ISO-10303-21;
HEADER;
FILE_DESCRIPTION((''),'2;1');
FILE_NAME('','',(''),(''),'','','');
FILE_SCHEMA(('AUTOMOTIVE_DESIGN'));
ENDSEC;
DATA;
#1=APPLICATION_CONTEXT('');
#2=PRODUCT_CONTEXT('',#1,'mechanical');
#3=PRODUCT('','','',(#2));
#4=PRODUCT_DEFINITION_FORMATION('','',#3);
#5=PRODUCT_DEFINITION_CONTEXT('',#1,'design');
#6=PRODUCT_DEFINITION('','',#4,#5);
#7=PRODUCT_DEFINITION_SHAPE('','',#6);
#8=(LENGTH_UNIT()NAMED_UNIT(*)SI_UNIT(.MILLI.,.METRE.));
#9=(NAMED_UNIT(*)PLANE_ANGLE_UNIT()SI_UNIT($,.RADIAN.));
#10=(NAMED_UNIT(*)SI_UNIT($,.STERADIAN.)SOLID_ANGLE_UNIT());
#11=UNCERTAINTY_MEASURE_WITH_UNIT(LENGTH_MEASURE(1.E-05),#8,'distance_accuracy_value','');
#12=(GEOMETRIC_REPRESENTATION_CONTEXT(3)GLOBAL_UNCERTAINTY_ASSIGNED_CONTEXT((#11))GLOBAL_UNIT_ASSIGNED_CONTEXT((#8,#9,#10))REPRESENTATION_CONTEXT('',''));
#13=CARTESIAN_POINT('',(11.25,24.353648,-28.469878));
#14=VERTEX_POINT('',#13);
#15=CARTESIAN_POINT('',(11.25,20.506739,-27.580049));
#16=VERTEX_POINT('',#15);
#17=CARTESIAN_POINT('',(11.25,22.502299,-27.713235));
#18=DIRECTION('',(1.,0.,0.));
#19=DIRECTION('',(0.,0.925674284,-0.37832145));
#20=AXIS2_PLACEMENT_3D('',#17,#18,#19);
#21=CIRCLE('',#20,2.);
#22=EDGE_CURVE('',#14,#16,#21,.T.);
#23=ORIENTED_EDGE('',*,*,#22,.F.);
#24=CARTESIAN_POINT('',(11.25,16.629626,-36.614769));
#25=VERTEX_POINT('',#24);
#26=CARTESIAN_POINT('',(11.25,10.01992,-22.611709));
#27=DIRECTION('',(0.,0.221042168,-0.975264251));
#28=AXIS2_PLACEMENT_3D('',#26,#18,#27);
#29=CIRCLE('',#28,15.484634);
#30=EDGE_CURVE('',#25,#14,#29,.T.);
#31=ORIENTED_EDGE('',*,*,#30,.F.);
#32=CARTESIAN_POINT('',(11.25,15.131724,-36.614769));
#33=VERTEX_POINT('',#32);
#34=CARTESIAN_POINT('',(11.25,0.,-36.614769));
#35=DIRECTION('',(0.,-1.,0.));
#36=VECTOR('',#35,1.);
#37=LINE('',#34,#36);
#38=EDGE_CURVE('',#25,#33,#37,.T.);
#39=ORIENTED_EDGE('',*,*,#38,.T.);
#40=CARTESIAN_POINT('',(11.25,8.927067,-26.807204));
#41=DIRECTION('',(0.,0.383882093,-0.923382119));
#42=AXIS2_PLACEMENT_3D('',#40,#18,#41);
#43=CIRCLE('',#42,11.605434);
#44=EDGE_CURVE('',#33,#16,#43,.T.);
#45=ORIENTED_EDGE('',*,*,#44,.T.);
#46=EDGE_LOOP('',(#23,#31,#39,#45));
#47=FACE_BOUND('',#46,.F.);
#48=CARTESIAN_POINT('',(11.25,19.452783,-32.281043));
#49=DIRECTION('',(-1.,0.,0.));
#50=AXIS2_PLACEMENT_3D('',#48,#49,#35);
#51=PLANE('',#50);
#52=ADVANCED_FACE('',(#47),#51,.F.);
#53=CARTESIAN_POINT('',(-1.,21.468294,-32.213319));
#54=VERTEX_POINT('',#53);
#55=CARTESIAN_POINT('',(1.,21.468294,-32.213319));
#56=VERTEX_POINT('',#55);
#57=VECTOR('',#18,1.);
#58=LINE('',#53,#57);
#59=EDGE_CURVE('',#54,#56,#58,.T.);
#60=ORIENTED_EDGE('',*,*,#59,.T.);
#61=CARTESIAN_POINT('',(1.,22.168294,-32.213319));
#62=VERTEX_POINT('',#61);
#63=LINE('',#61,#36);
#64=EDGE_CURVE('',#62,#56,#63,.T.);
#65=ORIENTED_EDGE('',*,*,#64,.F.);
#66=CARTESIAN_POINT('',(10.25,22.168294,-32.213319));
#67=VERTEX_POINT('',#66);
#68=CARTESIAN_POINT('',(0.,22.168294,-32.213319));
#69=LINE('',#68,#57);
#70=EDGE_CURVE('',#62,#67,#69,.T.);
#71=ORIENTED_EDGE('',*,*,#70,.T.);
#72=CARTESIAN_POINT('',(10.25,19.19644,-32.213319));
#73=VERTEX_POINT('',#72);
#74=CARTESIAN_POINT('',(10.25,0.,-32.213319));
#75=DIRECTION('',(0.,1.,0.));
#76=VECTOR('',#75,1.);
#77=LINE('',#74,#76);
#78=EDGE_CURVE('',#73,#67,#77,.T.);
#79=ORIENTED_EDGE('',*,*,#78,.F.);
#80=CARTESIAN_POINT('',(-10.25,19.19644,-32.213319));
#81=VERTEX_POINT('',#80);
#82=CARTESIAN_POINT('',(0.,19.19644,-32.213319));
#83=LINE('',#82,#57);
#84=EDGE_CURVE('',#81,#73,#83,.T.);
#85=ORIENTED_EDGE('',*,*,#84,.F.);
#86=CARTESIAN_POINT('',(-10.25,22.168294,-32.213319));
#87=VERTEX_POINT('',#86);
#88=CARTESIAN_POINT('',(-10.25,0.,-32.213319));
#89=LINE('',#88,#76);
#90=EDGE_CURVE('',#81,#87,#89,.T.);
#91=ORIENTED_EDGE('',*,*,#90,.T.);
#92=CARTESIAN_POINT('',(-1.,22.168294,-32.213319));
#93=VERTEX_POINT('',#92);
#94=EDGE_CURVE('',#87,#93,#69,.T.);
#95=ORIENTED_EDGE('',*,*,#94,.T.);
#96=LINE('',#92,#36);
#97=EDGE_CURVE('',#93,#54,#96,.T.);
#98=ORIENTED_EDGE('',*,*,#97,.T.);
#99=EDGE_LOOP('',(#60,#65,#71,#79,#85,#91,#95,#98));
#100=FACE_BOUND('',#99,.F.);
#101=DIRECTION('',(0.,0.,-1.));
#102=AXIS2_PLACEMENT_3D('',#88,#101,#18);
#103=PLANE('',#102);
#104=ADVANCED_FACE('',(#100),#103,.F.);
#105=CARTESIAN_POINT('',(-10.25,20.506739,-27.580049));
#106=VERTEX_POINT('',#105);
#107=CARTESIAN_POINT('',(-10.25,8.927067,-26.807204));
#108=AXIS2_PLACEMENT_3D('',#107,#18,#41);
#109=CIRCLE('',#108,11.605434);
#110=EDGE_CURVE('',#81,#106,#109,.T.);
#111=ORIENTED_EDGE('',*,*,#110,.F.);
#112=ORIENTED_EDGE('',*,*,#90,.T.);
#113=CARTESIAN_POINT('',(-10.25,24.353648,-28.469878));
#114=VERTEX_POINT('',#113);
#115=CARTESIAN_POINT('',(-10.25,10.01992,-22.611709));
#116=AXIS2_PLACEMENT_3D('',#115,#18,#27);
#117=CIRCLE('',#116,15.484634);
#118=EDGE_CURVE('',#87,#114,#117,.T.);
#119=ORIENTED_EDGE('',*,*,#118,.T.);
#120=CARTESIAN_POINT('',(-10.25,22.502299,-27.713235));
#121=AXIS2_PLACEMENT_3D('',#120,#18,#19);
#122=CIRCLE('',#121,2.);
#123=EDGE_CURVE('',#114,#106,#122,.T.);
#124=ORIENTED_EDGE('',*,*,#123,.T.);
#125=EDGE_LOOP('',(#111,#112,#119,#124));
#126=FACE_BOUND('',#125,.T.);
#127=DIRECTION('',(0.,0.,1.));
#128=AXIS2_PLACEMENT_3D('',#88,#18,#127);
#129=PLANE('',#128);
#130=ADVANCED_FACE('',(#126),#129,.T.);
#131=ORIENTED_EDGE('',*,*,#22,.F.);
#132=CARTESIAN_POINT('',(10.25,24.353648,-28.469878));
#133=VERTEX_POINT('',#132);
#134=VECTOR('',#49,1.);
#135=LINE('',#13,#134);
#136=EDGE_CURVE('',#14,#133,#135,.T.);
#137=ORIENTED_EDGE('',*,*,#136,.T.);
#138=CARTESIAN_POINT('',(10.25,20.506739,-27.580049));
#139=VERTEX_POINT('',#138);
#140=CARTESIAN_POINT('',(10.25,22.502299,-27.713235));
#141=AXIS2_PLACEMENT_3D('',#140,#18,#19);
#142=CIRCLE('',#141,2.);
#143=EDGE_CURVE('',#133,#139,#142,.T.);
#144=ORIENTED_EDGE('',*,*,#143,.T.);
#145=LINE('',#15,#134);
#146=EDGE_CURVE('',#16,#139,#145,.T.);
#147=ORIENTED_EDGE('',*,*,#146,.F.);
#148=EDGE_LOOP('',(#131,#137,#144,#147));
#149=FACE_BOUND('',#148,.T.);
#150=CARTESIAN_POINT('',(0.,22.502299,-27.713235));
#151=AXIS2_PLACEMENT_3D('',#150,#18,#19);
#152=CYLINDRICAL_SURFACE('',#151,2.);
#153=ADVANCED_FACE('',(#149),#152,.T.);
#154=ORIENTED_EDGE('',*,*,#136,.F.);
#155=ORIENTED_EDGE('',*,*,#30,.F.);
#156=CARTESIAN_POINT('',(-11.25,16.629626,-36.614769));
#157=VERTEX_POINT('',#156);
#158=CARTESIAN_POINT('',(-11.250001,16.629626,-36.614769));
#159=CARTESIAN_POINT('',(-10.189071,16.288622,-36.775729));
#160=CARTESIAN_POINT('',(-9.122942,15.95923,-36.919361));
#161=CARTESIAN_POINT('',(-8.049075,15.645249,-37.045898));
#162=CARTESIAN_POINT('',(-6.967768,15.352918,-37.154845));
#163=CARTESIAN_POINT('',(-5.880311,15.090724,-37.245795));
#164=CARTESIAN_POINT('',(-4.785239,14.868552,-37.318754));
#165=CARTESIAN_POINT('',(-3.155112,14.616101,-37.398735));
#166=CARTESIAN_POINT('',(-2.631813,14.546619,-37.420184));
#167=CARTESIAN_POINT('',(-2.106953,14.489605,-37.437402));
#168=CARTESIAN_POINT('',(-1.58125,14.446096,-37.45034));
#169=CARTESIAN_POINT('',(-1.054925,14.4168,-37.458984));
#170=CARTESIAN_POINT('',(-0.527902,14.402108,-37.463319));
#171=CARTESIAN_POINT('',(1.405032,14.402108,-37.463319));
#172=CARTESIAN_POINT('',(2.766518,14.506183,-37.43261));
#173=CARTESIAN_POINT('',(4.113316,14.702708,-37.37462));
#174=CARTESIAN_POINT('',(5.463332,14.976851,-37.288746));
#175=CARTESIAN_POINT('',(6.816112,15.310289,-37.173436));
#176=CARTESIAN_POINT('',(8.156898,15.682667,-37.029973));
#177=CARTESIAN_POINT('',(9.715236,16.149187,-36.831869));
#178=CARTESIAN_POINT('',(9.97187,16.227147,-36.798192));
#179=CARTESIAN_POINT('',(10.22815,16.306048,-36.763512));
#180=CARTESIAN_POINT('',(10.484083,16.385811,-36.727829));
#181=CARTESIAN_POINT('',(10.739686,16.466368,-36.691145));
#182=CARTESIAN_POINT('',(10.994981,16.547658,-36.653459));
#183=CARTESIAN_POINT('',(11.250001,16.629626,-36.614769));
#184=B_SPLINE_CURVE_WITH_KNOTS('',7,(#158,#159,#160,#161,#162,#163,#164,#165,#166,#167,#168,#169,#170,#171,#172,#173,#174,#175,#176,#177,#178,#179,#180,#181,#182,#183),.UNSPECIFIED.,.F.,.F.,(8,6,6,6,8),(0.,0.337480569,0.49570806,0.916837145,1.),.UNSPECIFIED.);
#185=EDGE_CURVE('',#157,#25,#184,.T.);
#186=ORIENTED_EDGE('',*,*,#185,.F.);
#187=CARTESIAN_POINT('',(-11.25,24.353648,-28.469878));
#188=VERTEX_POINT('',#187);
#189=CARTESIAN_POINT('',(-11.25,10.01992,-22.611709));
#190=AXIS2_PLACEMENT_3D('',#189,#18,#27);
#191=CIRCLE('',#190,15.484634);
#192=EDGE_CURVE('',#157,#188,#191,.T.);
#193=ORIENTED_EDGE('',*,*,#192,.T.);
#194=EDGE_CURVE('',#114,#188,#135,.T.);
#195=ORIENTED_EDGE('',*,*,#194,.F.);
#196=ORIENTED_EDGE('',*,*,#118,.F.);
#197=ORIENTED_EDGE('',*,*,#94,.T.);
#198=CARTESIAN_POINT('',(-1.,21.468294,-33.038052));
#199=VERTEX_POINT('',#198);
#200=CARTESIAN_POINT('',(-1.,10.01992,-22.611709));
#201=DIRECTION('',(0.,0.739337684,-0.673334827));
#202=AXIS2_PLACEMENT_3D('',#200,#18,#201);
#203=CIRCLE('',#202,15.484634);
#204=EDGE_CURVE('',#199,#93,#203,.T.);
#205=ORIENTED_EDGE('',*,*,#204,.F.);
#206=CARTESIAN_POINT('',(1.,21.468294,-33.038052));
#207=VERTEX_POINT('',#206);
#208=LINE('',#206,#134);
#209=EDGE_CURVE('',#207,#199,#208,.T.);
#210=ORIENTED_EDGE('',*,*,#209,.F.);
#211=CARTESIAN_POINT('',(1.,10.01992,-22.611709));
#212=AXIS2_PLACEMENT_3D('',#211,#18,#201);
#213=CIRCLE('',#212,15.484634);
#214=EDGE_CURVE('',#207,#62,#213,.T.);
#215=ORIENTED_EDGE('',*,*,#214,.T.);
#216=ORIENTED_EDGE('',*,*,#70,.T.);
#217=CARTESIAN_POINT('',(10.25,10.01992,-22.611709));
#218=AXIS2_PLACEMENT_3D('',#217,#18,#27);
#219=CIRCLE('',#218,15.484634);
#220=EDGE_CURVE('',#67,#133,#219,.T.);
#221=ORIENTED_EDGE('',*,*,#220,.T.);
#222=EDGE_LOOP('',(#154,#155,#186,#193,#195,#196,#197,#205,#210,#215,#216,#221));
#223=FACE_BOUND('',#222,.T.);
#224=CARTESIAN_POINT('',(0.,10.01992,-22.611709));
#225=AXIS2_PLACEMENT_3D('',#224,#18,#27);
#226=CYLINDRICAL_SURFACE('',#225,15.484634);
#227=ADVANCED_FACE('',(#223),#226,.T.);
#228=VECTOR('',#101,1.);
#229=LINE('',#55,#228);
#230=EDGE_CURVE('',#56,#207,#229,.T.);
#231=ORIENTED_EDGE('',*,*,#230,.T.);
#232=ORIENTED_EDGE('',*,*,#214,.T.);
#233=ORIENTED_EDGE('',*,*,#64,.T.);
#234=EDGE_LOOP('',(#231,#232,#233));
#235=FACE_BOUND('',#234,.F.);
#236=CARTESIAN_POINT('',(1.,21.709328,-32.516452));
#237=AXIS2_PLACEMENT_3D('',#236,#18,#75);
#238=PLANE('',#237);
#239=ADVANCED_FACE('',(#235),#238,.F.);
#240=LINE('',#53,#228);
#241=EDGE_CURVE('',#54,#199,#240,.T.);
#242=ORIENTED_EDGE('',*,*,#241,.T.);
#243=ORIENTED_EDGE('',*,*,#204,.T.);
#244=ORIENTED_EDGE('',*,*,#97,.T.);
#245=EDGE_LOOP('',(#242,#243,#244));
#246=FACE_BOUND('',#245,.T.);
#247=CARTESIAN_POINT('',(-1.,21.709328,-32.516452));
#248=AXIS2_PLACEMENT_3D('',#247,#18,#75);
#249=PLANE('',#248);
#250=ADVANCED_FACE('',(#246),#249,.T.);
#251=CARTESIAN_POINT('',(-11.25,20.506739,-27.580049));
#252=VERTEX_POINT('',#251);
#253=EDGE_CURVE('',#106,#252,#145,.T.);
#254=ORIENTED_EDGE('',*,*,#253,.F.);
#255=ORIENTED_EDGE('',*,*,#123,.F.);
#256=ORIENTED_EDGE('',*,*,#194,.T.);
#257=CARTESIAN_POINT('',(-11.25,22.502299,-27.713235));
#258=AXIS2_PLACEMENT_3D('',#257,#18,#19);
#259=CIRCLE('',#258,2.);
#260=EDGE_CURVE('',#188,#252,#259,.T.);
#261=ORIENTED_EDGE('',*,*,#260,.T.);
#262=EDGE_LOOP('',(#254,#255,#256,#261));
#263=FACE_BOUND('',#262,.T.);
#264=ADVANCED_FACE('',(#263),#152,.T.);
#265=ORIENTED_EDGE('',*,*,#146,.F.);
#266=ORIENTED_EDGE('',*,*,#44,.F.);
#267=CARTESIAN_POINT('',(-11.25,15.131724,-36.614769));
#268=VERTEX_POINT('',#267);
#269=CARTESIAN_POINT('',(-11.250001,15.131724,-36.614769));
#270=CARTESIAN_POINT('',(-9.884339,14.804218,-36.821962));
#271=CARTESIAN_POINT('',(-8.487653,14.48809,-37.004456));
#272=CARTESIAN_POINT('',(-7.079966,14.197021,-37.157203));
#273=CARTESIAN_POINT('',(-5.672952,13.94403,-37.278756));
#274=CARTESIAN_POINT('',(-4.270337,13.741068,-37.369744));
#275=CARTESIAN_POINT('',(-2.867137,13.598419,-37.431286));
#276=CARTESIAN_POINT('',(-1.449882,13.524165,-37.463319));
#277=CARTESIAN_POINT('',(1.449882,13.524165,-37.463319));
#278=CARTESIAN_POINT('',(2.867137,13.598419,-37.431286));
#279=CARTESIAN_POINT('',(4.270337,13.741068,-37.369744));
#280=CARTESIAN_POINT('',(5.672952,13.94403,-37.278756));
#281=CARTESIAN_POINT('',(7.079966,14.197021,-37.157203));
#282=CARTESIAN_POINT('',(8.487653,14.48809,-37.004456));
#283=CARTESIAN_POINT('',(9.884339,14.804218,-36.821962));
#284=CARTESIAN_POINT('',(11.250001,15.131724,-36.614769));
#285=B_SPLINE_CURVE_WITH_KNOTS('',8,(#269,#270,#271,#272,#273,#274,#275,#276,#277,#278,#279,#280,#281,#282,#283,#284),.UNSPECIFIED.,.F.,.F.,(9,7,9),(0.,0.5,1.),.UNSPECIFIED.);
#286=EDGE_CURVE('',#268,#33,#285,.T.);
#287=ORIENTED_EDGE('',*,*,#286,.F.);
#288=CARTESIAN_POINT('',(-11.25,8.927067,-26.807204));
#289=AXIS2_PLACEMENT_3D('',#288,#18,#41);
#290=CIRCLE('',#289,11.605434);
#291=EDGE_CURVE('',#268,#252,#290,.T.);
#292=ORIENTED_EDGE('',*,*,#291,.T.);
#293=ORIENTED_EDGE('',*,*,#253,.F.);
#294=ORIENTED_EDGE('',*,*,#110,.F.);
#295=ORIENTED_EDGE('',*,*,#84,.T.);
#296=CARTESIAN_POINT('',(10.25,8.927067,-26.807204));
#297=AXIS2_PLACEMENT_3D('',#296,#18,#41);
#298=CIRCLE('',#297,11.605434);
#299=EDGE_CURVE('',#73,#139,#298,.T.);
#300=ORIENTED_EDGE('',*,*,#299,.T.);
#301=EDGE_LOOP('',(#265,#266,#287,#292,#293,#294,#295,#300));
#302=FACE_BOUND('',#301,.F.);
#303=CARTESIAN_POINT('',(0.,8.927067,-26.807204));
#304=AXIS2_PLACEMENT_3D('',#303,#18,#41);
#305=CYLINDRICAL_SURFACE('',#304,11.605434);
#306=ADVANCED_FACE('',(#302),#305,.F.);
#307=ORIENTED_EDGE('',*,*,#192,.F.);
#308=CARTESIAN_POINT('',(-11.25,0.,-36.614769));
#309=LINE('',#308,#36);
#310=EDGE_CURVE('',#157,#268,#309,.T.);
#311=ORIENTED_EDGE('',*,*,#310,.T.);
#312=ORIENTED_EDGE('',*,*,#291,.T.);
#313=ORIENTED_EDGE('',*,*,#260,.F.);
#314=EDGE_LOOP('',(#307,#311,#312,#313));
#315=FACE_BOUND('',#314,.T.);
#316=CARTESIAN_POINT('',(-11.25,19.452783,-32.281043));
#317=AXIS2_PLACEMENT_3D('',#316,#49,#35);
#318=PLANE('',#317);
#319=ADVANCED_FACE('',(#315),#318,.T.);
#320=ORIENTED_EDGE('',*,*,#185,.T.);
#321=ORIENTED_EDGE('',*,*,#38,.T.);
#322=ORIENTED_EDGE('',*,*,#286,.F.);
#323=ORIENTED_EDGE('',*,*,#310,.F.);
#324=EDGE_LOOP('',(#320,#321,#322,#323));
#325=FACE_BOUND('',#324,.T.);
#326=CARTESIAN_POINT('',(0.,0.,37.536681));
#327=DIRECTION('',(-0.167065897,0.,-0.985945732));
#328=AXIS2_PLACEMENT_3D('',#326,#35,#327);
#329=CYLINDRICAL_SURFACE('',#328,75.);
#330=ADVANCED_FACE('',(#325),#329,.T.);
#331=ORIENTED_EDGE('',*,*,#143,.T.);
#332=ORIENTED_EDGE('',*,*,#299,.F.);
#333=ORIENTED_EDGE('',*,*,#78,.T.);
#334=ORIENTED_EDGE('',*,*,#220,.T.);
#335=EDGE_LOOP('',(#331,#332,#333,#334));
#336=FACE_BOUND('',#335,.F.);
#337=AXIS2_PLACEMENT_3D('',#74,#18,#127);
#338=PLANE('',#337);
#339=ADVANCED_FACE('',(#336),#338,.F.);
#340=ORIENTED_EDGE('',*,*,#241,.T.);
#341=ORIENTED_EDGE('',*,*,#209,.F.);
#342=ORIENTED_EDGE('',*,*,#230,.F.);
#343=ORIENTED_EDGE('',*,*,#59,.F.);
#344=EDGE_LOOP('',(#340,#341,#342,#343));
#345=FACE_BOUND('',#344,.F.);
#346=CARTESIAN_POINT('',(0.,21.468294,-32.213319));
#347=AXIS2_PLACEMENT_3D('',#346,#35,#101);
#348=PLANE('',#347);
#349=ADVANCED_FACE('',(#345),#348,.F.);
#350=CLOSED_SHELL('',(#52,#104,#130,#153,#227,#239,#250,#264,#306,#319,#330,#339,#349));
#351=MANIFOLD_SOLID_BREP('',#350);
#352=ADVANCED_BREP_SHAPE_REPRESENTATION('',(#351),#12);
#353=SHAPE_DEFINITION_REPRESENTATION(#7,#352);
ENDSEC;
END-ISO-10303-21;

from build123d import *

# Parameters (mm, degrees)
PAD005_DEPTH    = 11.25
SKETCH036_W     = 20.5
SKETCH036_H     = 6.6332701871
POCKET002_DEPTH = 24.5032991847
POCKET003_DEPTH = 1


with BuildPart() as part:
    # Sketch035 → Pad005 (new body, symmetric)
    with BuildSketch(Plane.YZ):
        with BuildLine():
            ThreePointArc((13.3821850753, -37.5234542499), (18.3608599681, -33.5666154319), (20.5067387818, -27.5800486999))
            ThreePointArc((24.3536477534, -28.4698782284), (22.9530190653, -25.7646841778), (20.5067387818, -27.5800486999))
            ThreePointArc((13.4426775015, -37.713318887), (20.0290903971, -34.4265472751), (24.3536477534, -28.4698782284))
            ThreePointArc((13.3821850753, -37.5234542499), (13.3252924513, -37.6461497146), (13.4426775015, -37.713318887))
        make_face()
    extrude(amount=PAD005_DEPTH, both=True)

    # Sketch036 → Pocket002 (cut, through all)
    with BuildSketch(Plane.XZ):
        with Locations((0, -28.8966837934)):
            Rectangle(SKETCH036_W, SKETCH036_H)
        with BuildLine():
            ThreePointArc((-12.5299423012, -36.4092487677), (0, -37.463318887), (12.5299423012, -36.4092487677))
            Line((12.5299423012, -40.220734), (12.5299423012, -36.4092487677))
            Line((-12.5299423012, -40.220734), (12.5299423012, -40.220734))
            Line((-12.5299423012, -36.4092487677), (-12.5299423012, -40.220734))
        make_face()
    extrude(amount=-POCKET002_DEPTH, mode=Mode.SUBTRACT)

    # Sketch037 → Pocket003 (cut, symmetric)
    with BuildSketch(Plane.YZ):
        with BuildLine():
            Line((22.16829374, -32.213318887), (21.46829374, -32.213318887))
            Line((21.46829374, -32.213318887), (21.46829374, -33.0380523289))
            ThreePointArc((21.46829374, -33.0380523289), (21.8254978862, -32.6318001925), (22.16829374, -32.213318887))
        make_face()
    extrude(amount=POCKET003_DEPTH, both=True, mode=Mode.SUBTRACT)


solid = part.part
